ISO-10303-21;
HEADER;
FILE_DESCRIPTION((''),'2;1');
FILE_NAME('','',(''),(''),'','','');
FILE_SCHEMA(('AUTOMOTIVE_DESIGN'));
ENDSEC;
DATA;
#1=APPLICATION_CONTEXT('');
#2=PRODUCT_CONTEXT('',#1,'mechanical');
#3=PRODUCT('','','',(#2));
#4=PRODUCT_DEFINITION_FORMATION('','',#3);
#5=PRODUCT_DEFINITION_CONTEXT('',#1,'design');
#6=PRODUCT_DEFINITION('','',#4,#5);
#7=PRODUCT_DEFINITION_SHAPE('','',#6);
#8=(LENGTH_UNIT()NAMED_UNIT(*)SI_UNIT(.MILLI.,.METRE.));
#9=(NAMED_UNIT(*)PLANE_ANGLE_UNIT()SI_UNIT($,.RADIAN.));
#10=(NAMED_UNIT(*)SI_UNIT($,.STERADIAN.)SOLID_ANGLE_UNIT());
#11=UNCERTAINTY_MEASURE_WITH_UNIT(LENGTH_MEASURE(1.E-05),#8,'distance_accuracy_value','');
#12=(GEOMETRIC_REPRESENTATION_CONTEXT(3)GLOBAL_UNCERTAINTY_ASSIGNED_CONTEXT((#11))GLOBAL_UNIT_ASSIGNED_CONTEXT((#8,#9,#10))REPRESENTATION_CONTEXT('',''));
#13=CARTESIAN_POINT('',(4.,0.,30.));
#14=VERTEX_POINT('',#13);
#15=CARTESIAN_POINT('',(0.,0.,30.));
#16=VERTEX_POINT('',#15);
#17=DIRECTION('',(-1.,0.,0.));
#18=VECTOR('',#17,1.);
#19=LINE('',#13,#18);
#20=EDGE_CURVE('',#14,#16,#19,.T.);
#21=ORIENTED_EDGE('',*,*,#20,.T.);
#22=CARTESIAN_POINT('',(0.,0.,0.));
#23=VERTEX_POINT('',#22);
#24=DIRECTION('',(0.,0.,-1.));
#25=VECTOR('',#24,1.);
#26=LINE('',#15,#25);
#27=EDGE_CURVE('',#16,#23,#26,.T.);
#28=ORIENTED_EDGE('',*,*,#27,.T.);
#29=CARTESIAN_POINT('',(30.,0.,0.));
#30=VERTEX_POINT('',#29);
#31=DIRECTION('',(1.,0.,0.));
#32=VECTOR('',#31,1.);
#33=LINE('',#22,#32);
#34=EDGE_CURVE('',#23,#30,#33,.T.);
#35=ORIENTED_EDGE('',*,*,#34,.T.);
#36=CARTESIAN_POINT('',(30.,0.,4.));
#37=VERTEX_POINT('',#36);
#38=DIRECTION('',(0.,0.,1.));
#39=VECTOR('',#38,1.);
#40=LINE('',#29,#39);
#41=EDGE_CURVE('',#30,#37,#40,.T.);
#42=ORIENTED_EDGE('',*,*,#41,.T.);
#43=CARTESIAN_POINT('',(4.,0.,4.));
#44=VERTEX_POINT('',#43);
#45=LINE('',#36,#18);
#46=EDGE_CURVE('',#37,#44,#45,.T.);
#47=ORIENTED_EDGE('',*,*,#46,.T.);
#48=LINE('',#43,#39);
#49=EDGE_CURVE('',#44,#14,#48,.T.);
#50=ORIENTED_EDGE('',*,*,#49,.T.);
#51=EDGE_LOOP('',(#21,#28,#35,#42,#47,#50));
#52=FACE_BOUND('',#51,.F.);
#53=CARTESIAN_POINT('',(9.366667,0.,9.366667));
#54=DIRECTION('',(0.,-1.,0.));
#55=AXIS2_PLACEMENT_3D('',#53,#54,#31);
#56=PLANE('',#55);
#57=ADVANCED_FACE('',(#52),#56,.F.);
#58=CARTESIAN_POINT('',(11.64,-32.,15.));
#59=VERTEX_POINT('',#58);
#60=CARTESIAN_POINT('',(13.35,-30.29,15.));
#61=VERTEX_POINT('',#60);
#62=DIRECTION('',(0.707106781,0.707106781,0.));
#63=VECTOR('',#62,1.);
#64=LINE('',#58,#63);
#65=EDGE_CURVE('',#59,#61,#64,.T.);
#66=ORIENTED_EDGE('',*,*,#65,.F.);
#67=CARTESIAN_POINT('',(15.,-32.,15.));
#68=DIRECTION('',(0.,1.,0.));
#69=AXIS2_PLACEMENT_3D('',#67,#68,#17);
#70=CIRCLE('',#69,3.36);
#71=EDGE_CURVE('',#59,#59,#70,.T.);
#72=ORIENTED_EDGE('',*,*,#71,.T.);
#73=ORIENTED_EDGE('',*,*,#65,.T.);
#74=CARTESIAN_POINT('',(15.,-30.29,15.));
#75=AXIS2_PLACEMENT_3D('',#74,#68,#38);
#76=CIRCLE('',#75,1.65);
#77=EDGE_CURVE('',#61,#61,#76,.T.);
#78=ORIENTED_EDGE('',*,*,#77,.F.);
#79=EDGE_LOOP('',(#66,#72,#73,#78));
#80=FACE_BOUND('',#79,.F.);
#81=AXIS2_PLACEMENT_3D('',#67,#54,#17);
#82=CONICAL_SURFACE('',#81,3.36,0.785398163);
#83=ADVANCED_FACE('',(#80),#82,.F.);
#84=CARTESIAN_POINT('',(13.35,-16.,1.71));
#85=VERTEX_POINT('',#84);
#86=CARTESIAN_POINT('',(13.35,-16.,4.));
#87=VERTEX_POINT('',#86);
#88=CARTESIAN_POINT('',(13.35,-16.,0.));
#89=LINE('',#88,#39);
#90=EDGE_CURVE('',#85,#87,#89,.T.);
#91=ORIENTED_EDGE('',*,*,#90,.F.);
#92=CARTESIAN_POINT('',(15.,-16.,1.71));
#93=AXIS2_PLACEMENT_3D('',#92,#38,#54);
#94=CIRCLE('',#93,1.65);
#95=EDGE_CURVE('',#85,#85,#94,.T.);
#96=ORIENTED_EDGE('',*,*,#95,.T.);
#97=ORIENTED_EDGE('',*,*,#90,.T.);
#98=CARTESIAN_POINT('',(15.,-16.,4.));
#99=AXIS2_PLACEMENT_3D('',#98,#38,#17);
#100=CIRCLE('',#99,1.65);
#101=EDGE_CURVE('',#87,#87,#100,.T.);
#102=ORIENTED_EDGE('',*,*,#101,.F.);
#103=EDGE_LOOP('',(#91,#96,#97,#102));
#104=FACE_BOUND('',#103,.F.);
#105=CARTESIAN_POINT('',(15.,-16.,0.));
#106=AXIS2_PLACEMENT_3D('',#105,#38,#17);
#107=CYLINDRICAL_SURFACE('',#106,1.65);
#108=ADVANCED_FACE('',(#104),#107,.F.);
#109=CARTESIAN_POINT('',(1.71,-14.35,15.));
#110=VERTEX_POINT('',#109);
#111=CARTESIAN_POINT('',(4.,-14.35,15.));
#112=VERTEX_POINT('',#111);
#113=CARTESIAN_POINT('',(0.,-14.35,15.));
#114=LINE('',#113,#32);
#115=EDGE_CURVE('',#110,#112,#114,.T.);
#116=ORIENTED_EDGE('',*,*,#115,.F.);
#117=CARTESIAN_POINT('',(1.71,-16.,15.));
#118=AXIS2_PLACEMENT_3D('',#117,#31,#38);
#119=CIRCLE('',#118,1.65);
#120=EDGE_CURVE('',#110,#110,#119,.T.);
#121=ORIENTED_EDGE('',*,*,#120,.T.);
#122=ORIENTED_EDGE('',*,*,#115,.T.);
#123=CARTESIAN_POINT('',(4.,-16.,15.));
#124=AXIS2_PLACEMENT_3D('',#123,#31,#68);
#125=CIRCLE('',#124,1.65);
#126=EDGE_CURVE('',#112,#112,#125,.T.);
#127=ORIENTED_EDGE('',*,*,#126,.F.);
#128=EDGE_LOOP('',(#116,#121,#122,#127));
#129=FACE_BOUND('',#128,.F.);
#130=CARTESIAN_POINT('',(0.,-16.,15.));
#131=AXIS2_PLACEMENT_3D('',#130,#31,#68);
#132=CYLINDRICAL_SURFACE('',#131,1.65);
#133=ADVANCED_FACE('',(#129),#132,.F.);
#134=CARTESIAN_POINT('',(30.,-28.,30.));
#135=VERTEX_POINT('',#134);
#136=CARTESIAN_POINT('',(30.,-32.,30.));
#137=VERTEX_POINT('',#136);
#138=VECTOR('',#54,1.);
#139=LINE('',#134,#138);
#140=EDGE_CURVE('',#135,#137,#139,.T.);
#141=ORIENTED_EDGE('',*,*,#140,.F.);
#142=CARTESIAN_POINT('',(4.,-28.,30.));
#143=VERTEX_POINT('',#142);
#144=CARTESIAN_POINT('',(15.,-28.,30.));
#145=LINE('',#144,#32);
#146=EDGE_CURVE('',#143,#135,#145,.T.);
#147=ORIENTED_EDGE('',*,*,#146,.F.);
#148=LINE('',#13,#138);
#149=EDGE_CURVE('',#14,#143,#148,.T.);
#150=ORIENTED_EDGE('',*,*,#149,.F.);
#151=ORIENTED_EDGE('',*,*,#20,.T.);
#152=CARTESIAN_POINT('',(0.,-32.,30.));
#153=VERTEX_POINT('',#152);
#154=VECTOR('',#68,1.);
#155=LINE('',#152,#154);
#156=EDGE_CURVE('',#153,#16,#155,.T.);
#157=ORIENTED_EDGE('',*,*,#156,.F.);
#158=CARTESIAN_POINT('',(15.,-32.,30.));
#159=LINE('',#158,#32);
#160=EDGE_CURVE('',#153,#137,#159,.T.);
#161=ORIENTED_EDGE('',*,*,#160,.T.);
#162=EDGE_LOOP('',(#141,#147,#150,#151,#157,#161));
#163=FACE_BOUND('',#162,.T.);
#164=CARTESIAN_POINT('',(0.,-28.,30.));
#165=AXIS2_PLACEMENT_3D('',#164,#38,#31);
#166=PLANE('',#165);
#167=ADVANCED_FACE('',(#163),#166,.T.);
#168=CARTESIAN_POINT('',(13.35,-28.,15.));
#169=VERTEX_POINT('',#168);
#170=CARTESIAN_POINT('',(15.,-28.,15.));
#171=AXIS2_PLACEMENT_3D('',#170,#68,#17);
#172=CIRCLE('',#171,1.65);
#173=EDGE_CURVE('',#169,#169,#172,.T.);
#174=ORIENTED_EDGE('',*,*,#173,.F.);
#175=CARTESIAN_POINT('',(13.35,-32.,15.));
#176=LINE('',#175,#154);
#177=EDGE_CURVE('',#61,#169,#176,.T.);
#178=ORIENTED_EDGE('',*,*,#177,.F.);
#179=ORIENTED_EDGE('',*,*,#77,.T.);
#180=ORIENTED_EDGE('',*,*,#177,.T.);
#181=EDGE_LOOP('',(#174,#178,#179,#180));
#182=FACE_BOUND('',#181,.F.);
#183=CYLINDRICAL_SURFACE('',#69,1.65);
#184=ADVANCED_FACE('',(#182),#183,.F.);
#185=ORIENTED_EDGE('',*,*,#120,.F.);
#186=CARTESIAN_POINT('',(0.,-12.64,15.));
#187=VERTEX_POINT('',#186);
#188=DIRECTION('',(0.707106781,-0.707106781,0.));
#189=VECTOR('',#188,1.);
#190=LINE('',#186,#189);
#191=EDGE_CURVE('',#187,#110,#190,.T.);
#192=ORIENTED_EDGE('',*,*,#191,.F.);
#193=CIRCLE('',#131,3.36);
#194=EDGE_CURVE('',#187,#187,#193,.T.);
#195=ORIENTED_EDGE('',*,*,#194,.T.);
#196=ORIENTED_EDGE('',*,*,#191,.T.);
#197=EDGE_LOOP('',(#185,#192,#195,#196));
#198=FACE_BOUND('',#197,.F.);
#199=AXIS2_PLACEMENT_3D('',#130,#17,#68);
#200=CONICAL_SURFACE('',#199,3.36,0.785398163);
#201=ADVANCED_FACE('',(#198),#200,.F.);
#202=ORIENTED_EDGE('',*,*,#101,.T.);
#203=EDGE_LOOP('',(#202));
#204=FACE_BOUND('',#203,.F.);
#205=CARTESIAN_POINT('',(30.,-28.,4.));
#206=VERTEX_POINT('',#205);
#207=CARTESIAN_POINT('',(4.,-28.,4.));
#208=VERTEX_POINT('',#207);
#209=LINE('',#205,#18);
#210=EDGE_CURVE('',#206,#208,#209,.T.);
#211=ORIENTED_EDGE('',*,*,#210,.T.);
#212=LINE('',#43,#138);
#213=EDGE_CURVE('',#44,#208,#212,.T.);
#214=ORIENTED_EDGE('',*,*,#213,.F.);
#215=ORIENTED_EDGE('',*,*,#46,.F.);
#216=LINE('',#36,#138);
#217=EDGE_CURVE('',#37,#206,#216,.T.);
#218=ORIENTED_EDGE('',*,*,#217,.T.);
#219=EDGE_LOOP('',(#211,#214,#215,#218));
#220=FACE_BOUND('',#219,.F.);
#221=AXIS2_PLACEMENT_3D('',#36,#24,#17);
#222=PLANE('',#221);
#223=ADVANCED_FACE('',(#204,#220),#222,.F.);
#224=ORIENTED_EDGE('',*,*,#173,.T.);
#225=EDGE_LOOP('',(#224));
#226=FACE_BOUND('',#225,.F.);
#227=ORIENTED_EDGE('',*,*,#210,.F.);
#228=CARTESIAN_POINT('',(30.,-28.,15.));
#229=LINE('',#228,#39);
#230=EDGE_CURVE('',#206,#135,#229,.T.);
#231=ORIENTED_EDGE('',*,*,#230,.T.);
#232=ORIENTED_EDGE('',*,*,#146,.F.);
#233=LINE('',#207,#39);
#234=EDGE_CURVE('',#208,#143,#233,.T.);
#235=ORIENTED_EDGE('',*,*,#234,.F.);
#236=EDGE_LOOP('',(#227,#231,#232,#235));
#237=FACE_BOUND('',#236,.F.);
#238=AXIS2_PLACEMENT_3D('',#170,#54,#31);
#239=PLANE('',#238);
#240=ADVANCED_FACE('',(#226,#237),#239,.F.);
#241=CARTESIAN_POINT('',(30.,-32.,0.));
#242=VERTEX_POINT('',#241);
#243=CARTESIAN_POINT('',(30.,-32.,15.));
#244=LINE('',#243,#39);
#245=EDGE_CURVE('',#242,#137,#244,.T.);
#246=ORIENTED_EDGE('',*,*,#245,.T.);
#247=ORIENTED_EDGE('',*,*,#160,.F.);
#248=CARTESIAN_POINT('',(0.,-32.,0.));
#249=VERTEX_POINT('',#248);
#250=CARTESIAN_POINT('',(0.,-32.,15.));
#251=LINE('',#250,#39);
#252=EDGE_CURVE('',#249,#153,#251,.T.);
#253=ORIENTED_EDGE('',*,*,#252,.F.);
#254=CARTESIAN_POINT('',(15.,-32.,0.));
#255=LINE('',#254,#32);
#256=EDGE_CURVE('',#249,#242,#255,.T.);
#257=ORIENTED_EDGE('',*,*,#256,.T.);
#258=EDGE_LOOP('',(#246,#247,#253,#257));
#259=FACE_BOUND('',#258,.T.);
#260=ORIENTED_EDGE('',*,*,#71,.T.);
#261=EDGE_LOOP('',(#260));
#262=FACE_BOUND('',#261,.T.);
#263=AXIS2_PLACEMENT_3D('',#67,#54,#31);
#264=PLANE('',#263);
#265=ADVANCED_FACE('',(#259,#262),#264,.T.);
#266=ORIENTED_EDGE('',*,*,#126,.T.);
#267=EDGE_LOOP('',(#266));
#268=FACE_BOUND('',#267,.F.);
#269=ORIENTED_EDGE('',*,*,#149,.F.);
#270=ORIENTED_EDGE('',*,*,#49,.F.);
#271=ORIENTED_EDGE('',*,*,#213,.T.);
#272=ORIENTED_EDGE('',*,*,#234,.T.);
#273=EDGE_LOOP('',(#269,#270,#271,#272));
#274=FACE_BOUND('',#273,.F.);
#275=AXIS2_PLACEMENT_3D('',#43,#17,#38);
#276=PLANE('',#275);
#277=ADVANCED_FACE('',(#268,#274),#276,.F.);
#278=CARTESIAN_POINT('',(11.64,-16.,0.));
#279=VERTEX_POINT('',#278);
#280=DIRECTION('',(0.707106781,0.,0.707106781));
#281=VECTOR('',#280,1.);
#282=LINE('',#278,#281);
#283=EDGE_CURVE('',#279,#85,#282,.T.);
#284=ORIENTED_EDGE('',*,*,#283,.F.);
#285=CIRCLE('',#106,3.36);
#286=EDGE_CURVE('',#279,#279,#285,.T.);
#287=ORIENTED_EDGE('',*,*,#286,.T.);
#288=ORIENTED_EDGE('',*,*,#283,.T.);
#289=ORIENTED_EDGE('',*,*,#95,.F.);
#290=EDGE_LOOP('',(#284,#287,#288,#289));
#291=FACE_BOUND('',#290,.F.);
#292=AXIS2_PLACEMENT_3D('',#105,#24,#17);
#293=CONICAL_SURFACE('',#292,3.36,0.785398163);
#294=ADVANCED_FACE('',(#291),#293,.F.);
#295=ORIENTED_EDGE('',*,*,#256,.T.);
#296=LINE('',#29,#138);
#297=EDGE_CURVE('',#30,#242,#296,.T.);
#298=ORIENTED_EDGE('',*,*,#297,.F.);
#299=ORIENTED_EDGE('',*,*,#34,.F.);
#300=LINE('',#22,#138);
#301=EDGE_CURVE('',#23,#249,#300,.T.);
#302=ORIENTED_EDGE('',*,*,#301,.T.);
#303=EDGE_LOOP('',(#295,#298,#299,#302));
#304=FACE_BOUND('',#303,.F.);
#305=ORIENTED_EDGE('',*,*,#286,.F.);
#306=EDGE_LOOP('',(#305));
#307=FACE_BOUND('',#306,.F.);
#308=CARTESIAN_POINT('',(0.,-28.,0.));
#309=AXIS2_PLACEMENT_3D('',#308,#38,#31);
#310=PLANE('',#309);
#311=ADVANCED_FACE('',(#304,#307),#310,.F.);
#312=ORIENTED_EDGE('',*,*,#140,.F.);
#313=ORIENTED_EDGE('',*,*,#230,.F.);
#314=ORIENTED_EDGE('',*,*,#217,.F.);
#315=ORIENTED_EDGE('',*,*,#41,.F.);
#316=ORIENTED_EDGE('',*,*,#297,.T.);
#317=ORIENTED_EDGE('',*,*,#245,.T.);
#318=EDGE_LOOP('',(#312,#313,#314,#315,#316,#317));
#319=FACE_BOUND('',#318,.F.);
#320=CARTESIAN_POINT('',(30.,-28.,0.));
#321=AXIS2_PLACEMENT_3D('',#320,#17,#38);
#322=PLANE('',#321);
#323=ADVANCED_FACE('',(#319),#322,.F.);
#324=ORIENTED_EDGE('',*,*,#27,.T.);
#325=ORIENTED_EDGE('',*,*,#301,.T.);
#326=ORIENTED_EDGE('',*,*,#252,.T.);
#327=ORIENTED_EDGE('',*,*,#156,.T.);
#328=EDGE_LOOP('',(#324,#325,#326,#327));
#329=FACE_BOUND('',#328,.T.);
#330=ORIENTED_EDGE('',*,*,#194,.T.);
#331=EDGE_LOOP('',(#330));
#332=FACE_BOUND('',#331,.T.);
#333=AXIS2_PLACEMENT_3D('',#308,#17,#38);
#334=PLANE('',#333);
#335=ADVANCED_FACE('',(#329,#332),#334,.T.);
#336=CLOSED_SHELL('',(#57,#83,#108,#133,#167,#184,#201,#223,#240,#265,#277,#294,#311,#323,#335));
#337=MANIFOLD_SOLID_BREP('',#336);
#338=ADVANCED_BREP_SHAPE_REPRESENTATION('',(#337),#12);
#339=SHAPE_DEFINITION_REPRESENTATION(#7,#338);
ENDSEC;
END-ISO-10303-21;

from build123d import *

# Parameters (mm, degrees)
F1_DEPTH       = 28
F2_W           = 30
F2_H           = 30
F3_DEPTH       = 4
F5_D           = 3.3
F5_DEPTH       = 40
F5_CSINK_D     = 6.72
F5_CSINK_ANGLE = 90
F5_TIP         = 0.9914200214
F7_D           = 3.3
F7_DEPTH       = 40
F7_CSINK_D     = 6.72
F7_CSINK_ANGLE = 90
F7_TIP         = 0.9914200214
F9_D           = 3.3
F9_DEPTH       = 40
F9_CSINK_D     = 6.72
F9_CSINK_ANGLE = 90
F9_TIP         = 0.9914200214


with BuildPart() as f1:
    # F0 (on Front) → F1 (new body)
    with BuildSketch(Plane.XZ):
        Polygon((0, 4), (0, 0), (4, 0), (30, 0), (30, 4), (4, 4), (4, 30), (0, 30), align=None)
    extrude(amount=F1_DEPTH)

    # F2 (on face) → F3 (join)
    with BuildSketch(Plane.XZ.offset(28)):
        with Locations((15, 15)):
            Rectangle(F2_W, F2_H)
    extrude(amount=F3_DEPTH)

    # F5
    with Locations(Plane.XZ.offset(32)):
        with Locations((15, 15)):
            CounterSinkHole(F5_D / 2, F5_CSINK_D / 2, depth=F5_DEPTH, counter_sink_angle=F5_CSINK_ANGLE)
            with Locations((0, 0, -(F5_DEPTH + F5_TIP / 2))):  # 118° drill point
                Cone(0, F5_D / 2, F5_TIP, mode=Mode.SUBTRACT)

    # F7
    with Locations(Plane(origin=(0, 0, 0), x_dir=(0, -1, 0), z_dir=(-1, 0, 0))):
        with Locations((16, 15)):
            CounterSinkHole(F7_D / 2, F7_CSINK_D / 2, depth=F7_DEPTH, counter_sink_angle=F7_CSINK_ANGLE)
            with Locations((0, 0, -(F7_DEPTH + F7_TIP / 2))):  # 118° drill point
                Cone(0, F7_D / 2, F7_TIP, mode=Mode.SUBTRACT)

    # F9
    with Locations(Plane(origin=(0, 0, 0), x_dir=(1, 0, 0), z_dir=(0, 0, -1))):
        with Locations((15, 16)):
            CounterSinkHole(F9_D / 2, F9_CSINK_D / 2, depth=F9_DEPTH, counter_sink_angle=F9_CSINK_ANGLE)
            with Locations((0, 0, -(F9_DEPTH + F9_TIP / 2))):  # 118° drill point
                Cone(0, F9_D / 2, F9_TIP, mode=Mode.SUBTRACT)


solid = f1.part
